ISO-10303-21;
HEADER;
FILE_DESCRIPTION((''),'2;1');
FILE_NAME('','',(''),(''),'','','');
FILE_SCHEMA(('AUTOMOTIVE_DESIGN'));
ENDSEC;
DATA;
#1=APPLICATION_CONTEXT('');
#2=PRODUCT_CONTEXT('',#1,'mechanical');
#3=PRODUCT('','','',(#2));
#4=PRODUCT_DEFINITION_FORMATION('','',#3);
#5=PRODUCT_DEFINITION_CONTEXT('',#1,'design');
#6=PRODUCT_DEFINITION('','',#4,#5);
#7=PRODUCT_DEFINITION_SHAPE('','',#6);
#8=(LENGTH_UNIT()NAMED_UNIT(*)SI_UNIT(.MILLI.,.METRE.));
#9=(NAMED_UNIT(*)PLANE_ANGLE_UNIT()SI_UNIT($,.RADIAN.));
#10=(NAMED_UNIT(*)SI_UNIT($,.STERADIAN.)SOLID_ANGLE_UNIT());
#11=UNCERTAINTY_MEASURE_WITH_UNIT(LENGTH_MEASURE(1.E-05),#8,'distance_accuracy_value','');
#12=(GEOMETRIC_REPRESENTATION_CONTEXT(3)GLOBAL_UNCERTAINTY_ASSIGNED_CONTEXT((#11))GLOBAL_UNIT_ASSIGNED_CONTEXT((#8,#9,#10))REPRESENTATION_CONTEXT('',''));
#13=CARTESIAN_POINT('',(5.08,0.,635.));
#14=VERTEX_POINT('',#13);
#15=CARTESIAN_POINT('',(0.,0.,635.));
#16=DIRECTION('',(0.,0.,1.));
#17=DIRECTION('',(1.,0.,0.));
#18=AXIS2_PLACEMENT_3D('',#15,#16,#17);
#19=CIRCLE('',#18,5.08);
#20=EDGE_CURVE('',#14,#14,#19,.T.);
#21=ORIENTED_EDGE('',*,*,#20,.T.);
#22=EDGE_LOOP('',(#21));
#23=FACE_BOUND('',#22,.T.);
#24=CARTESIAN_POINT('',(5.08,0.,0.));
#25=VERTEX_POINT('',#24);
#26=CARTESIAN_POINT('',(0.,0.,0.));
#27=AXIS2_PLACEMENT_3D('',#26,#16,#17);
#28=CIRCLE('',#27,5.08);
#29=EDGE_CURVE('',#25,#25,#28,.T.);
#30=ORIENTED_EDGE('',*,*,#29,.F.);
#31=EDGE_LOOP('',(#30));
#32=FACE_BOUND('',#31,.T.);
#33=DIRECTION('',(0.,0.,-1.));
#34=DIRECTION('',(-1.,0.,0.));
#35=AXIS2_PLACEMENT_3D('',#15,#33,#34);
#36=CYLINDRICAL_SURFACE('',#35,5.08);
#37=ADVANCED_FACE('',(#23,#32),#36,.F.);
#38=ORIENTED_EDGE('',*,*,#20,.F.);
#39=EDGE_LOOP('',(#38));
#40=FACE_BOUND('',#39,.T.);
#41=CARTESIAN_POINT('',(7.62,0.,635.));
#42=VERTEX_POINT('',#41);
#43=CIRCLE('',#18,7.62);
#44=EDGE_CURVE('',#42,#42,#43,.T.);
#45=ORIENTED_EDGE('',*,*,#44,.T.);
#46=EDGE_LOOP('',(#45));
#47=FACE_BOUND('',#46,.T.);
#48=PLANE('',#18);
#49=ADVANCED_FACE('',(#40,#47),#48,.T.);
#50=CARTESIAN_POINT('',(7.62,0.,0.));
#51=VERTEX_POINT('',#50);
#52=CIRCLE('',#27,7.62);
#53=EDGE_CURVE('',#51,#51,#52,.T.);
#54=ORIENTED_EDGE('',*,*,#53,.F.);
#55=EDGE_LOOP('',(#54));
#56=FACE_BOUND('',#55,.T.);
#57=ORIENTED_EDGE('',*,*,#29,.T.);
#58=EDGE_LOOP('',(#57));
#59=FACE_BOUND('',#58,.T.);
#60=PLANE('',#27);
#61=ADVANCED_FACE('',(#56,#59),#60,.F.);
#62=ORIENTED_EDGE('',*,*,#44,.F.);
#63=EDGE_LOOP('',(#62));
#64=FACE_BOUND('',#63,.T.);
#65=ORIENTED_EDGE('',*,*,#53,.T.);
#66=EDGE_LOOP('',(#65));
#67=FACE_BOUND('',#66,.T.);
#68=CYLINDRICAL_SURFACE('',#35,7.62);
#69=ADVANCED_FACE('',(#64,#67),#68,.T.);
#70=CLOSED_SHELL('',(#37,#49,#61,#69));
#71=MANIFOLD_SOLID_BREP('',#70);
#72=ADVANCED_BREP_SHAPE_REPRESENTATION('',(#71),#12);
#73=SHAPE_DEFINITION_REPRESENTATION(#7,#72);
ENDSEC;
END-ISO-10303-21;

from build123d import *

# Parameters (mm, degrees)
SKETCH1_R           = 7.62
SKETCH1_R_2         = 5.08
BOSS_EXTRUDE1_DEPTH = 635


with BuildPart() as part:
    # Sketch1 → Boss-Extrude1 (new body)
    with BuildSketch(Plane.XY):
        Circle(SKETCH1_R)
        Circle(SKETCH1_R_2, mode=Mode.SUBTRACT)
    extrude(amount=BOSS_EXTRUDE1_DEPTH)


solid = part.part
